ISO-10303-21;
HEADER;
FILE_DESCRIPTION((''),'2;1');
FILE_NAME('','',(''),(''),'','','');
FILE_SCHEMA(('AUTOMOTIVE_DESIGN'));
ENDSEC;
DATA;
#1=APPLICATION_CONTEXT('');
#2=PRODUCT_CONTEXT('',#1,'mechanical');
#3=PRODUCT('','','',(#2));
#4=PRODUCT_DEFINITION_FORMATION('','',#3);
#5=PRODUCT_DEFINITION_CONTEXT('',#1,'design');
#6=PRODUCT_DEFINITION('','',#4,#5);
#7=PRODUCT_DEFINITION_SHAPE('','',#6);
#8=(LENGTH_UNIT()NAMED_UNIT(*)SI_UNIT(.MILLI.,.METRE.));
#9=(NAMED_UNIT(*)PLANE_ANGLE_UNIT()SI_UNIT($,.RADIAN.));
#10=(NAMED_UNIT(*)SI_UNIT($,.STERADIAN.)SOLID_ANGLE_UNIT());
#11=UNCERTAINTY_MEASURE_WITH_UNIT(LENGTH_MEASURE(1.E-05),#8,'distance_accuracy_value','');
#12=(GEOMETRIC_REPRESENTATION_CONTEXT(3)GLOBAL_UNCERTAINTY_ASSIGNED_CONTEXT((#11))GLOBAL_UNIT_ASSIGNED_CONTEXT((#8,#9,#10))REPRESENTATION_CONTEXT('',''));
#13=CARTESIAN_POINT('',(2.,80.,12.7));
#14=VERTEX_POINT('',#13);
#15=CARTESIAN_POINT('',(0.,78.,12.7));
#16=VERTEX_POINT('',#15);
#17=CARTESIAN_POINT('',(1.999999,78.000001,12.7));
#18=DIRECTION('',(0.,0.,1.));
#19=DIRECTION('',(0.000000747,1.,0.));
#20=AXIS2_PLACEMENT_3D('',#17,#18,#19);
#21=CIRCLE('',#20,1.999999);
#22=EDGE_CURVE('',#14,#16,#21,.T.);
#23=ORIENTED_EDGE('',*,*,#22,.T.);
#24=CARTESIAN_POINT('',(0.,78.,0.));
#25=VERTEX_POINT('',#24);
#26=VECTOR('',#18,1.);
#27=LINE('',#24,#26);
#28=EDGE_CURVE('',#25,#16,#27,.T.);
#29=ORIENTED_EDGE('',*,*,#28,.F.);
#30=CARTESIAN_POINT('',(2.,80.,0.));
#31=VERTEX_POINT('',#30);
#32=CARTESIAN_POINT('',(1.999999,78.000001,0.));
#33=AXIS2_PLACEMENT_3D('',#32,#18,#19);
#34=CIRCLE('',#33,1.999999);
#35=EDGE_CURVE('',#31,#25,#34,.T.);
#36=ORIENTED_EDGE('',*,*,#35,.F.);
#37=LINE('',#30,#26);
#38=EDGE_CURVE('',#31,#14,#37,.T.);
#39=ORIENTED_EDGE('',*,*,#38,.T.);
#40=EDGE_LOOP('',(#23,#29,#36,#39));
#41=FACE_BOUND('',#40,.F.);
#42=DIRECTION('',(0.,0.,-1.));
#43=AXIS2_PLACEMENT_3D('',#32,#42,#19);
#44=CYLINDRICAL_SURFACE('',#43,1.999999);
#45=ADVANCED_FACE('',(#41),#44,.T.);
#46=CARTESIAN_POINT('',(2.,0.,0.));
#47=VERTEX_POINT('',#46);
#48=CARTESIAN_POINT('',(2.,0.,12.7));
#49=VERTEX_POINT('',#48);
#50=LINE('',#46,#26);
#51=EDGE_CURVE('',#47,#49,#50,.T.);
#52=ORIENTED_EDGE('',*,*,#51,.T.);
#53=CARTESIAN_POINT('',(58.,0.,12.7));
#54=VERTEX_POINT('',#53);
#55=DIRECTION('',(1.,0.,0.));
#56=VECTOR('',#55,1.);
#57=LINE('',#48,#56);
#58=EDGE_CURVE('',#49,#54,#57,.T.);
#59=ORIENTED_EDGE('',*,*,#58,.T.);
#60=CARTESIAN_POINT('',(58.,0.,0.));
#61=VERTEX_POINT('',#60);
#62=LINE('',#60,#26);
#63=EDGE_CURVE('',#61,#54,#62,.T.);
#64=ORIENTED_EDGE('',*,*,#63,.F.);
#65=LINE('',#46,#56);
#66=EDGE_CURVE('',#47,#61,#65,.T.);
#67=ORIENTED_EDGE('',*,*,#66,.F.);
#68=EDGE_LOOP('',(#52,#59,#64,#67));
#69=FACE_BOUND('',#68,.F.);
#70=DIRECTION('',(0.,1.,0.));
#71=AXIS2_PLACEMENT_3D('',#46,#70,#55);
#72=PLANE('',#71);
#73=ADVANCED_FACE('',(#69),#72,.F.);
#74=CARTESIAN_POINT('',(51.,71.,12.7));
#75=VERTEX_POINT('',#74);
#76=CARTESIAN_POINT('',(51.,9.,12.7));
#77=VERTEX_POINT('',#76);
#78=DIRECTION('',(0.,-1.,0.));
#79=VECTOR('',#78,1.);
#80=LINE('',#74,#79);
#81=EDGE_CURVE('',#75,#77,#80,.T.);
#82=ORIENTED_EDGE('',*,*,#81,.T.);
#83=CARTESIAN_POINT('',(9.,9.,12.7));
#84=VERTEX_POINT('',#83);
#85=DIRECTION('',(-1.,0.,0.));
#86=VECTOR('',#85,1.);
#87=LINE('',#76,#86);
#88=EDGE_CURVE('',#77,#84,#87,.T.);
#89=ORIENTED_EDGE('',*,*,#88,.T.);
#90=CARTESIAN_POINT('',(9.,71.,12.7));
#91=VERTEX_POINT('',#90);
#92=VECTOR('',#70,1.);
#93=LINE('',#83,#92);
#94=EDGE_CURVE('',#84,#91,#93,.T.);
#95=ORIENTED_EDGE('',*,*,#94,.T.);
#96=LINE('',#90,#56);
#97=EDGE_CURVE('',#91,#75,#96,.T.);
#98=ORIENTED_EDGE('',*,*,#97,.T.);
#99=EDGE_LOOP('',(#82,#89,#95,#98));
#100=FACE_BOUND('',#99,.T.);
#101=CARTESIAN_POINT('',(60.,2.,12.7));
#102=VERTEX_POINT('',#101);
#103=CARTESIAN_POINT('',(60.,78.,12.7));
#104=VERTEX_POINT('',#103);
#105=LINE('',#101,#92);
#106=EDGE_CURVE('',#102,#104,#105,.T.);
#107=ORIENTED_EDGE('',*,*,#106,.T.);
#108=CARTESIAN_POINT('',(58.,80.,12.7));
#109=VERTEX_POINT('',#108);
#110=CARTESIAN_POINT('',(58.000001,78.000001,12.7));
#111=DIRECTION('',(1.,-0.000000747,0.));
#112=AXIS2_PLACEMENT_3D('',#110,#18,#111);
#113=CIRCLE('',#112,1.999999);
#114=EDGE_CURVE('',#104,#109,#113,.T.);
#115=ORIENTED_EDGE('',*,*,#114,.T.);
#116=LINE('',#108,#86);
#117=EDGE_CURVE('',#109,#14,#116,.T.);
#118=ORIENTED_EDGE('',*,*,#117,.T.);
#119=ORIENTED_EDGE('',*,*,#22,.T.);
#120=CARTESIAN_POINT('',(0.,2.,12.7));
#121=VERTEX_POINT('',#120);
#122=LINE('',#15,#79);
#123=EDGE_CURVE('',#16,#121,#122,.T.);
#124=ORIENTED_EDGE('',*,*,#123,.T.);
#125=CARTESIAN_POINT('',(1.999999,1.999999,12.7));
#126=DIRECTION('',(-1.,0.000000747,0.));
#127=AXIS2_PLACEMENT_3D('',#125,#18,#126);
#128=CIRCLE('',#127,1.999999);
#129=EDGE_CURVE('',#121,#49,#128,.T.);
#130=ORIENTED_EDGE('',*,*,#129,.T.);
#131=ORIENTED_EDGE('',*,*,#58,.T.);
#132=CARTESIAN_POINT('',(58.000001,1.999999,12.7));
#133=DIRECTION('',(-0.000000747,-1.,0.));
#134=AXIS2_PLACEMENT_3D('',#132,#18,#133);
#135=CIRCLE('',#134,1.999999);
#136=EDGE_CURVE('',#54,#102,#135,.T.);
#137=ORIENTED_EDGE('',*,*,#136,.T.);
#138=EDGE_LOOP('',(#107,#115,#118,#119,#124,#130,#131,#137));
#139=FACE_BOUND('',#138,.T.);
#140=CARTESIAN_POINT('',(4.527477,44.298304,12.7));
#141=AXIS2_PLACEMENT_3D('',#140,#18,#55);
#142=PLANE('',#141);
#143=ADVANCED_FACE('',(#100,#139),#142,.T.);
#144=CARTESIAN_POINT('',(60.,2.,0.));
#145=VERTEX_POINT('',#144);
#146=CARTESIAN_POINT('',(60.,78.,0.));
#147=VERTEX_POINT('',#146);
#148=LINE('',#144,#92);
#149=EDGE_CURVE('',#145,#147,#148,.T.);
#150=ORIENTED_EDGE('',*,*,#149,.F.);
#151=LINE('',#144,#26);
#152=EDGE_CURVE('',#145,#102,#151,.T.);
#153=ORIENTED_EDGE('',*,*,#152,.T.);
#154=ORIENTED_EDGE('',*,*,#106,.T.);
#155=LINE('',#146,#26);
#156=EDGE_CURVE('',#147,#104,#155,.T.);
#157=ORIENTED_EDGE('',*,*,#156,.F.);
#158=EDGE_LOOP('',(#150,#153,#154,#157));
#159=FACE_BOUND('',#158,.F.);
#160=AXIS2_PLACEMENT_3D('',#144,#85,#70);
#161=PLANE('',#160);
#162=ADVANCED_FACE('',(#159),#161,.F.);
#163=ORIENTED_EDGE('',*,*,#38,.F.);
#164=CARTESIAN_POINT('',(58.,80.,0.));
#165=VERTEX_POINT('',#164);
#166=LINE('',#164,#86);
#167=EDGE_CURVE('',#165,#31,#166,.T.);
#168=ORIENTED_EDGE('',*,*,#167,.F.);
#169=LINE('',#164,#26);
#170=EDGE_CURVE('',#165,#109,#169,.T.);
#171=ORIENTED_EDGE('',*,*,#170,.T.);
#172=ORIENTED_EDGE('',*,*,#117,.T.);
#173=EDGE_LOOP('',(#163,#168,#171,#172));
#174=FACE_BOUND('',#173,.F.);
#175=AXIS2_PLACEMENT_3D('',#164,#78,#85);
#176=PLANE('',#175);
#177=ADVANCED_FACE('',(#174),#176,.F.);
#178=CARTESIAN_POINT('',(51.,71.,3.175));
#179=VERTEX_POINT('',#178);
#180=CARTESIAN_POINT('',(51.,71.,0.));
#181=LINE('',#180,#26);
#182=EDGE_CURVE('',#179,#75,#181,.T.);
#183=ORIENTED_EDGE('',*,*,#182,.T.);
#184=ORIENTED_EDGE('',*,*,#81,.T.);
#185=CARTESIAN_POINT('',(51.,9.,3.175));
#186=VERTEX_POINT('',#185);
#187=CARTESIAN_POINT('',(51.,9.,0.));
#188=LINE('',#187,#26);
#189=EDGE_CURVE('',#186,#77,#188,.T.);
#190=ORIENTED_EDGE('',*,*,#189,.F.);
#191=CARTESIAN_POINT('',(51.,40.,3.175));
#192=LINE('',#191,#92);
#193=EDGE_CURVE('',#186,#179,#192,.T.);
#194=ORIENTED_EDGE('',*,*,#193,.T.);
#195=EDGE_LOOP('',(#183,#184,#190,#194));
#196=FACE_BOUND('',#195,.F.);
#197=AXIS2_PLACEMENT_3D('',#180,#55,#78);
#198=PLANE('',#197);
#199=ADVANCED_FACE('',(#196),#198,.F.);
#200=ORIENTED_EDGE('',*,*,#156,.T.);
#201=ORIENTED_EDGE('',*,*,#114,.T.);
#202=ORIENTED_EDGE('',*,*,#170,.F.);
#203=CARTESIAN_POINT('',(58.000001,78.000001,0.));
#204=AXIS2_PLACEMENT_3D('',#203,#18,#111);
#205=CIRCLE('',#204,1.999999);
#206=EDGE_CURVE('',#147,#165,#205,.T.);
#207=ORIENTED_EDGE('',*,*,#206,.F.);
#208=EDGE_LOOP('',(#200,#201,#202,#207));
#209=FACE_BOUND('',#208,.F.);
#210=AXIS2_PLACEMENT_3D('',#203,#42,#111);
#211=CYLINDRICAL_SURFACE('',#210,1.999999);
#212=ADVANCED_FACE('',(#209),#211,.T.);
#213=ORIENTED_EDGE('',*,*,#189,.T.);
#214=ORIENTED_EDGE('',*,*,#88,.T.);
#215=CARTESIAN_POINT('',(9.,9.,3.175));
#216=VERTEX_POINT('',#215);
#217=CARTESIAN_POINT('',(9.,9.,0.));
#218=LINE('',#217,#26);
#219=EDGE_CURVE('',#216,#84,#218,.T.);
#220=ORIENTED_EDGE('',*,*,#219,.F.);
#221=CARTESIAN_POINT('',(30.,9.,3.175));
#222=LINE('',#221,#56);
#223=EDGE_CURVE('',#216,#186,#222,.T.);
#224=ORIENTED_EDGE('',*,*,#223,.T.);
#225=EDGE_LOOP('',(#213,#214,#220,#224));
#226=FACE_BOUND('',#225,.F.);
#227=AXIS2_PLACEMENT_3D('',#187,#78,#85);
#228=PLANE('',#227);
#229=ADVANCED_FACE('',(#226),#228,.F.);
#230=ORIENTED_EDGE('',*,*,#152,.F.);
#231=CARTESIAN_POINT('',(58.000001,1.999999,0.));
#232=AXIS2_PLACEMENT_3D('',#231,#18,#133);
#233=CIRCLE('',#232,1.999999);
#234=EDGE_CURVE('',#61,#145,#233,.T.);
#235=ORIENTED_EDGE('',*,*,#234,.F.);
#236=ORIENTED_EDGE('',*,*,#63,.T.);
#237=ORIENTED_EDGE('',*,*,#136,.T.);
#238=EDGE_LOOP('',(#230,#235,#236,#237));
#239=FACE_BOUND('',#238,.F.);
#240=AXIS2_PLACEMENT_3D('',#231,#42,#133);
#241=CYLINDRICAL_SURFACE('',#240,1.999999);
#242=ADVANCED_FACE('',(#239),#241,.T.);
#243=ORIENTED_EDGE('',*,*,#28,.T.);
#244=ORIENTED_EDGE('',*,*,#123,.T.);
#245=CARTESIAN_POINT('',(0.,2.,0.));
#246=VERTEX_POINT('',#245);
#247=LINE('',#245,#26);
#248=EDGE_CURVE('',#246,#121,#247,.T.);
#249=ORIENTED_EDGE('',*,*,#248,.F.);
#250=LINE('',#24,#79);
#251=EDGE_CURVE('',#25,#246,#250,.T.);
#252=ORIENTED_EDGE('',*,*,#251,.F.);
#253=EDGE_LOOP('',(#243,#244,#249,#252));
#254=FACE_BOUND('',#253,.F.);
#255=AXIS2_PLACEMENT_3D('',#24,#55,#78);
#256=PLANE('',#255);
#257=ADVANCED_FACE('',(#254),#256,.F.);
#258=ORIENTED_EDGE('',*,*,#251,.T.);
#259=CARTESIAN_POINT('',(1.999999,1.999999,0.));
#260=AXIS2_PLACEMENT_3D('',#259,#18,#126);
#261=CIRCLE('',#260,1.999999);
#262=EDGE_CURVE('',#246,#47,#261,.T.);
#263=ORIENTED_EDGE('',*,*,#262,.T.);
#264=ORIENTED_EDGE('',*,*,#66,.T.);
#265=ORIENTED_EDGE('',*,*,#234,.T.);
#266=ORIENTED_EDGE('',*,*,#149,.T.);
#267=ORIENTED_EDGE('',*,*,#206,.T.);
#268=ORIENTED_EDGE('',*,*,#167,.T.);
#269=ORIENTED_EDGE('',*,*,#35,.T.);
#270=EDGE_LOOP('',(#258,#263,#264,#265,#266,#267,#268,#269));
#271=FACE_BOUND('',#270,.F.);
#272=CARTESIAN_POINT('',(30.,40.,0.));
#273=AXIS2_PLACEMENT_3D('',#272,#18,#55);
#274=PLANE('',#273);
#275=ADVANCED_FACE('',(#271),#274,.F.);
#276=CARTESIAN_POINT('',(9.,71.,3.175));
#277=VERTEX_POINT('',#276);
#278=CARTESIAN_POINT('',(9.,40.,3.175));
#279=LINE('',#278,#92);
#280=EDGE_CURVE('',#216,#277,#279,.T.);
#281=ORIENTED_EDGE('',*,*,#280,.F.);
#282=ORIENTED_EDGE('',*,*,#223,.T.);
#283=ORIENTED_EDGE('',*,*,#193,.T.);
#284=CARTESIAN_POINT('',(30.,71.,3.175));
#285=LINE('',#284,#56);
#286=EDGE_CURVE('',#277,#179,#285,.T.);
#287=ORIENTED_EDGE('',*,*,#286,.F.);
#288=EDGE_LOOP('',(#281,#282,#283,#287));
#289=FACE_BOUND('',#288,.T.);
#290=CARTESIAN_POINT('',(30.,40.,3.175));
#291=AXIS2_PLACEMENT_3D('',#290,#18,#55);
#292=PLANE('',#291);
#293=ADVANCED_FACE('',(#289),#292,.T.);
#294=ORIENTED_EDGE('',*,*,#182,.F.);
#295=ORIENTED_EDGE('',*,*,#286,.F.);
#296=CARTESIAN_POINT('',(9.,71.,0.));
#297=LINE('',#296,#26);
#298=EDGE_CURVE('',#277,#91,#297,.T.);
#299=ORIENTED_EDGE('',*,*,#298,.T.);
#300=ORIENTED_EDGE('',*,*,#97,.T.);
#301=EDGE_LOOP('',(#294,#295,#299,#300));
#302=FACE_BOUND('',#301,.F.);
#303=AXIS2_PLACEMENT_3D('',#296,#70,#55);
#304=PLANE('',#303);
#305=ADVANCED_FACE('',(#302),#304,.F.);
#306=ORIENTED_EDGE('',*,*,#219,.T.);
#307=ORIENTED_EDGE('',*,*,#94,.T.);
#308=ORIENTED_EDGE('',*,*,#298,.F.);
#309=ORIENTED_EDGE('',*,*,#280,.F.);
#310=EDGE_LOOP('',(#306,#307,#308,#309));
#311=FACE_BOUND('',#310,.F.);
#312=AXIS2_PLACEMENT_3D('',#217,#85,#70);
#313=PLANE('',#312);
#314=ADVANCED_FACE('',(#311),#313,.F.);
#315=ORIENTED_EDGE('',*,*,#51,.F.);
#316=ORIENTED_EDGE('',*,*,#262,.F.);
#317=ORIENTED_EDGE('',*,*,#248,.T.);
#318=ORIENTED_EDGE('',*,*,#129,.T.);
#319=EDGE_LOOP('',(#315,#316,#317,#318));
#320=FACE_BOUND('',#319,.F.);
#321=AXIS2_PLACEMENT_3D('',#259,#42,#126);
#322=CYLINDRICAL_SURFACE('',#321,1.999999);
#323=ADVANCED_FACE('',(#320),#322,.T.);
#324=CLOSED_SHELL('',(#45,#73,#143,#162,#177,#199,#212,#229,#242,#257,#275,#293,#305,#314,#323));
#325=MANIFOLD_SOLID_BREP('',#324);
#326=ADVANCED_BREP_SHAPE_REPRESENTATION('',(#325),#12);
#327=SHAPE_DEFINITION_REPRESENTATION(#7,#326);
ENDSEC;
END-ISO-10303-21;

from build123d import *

# Parameters (mm, degrees)
F1_DEPTH = 12.7
F0_W     = 42
F0_H     = 62
F0_W_2   = 40
F0_H_2   = 60
F2_DEPTH = 3.175


with BuildPart() as f1:
    # F0 (on Top) → F1 (new body)
    with BuildSketch(Plane.XY):
        with BuildLine():
            Line((0, 78), (0, 9))
            Line((0, 9), (9, 9))
            Line((9, 9), (9, 71))
            Line((9, 71), (9, 80))
            Line((9, 80), (2, 80))
            ThreePointArc((2, 80), (0.585786, 79.414214), (0, 78))
        make_face()
        with BuildLine():
            Line((9, 71), (51, 71))
            Line((51, 71), (60, 71))
            Line((60, 71), (60, 78))
            ThreePointArc((60, 78), (59.414214, 79.414214), (58, 80))
            Line((58, 80), (9, 80))
            Line((9, 80), (9, 71))
        make_face()
        with BuildLine():
            Line((51, 9), (51, 0))
            Line((51, 0), (58, 0))
            ThreePointArc((58, 0), (59.414214, 0.585786), (60, 2))
            Line((60, 2), (60, 71))
            Line((60, 71), (51, 71))
            Line((51, 71), (51, 9))
        make_face()
        with BuildLine():
            ThreePointArc((0, 2), (0.585786, 0.585786), (2, 0))
            Line((2, 0), (51, 0))
            Line((51, 0), (51, 9))
            Line((51, 9), (9, 9))
            Line((9, 9), (0, 9))
            Line((0, 9), (0, 2))
        make_face()
    extrude(amount=F1_DEPTH)

    # F0 (on Top) → F2 (join)
    with BuildSketch(Plane.XY):
        with Locations((30, 40)):
            Rectangle(F0_W, F0_H)
        with Locations((30, 40)):
            Rectangle(F0_W_2, F0_H_2, mode=Mode.SUBTRACT)
        with Locations((30, 40)):
            Rectangle(F0_W_2, F0_H_2)
    extrude(amount=F2_DEPTH)


solid = f1.part
